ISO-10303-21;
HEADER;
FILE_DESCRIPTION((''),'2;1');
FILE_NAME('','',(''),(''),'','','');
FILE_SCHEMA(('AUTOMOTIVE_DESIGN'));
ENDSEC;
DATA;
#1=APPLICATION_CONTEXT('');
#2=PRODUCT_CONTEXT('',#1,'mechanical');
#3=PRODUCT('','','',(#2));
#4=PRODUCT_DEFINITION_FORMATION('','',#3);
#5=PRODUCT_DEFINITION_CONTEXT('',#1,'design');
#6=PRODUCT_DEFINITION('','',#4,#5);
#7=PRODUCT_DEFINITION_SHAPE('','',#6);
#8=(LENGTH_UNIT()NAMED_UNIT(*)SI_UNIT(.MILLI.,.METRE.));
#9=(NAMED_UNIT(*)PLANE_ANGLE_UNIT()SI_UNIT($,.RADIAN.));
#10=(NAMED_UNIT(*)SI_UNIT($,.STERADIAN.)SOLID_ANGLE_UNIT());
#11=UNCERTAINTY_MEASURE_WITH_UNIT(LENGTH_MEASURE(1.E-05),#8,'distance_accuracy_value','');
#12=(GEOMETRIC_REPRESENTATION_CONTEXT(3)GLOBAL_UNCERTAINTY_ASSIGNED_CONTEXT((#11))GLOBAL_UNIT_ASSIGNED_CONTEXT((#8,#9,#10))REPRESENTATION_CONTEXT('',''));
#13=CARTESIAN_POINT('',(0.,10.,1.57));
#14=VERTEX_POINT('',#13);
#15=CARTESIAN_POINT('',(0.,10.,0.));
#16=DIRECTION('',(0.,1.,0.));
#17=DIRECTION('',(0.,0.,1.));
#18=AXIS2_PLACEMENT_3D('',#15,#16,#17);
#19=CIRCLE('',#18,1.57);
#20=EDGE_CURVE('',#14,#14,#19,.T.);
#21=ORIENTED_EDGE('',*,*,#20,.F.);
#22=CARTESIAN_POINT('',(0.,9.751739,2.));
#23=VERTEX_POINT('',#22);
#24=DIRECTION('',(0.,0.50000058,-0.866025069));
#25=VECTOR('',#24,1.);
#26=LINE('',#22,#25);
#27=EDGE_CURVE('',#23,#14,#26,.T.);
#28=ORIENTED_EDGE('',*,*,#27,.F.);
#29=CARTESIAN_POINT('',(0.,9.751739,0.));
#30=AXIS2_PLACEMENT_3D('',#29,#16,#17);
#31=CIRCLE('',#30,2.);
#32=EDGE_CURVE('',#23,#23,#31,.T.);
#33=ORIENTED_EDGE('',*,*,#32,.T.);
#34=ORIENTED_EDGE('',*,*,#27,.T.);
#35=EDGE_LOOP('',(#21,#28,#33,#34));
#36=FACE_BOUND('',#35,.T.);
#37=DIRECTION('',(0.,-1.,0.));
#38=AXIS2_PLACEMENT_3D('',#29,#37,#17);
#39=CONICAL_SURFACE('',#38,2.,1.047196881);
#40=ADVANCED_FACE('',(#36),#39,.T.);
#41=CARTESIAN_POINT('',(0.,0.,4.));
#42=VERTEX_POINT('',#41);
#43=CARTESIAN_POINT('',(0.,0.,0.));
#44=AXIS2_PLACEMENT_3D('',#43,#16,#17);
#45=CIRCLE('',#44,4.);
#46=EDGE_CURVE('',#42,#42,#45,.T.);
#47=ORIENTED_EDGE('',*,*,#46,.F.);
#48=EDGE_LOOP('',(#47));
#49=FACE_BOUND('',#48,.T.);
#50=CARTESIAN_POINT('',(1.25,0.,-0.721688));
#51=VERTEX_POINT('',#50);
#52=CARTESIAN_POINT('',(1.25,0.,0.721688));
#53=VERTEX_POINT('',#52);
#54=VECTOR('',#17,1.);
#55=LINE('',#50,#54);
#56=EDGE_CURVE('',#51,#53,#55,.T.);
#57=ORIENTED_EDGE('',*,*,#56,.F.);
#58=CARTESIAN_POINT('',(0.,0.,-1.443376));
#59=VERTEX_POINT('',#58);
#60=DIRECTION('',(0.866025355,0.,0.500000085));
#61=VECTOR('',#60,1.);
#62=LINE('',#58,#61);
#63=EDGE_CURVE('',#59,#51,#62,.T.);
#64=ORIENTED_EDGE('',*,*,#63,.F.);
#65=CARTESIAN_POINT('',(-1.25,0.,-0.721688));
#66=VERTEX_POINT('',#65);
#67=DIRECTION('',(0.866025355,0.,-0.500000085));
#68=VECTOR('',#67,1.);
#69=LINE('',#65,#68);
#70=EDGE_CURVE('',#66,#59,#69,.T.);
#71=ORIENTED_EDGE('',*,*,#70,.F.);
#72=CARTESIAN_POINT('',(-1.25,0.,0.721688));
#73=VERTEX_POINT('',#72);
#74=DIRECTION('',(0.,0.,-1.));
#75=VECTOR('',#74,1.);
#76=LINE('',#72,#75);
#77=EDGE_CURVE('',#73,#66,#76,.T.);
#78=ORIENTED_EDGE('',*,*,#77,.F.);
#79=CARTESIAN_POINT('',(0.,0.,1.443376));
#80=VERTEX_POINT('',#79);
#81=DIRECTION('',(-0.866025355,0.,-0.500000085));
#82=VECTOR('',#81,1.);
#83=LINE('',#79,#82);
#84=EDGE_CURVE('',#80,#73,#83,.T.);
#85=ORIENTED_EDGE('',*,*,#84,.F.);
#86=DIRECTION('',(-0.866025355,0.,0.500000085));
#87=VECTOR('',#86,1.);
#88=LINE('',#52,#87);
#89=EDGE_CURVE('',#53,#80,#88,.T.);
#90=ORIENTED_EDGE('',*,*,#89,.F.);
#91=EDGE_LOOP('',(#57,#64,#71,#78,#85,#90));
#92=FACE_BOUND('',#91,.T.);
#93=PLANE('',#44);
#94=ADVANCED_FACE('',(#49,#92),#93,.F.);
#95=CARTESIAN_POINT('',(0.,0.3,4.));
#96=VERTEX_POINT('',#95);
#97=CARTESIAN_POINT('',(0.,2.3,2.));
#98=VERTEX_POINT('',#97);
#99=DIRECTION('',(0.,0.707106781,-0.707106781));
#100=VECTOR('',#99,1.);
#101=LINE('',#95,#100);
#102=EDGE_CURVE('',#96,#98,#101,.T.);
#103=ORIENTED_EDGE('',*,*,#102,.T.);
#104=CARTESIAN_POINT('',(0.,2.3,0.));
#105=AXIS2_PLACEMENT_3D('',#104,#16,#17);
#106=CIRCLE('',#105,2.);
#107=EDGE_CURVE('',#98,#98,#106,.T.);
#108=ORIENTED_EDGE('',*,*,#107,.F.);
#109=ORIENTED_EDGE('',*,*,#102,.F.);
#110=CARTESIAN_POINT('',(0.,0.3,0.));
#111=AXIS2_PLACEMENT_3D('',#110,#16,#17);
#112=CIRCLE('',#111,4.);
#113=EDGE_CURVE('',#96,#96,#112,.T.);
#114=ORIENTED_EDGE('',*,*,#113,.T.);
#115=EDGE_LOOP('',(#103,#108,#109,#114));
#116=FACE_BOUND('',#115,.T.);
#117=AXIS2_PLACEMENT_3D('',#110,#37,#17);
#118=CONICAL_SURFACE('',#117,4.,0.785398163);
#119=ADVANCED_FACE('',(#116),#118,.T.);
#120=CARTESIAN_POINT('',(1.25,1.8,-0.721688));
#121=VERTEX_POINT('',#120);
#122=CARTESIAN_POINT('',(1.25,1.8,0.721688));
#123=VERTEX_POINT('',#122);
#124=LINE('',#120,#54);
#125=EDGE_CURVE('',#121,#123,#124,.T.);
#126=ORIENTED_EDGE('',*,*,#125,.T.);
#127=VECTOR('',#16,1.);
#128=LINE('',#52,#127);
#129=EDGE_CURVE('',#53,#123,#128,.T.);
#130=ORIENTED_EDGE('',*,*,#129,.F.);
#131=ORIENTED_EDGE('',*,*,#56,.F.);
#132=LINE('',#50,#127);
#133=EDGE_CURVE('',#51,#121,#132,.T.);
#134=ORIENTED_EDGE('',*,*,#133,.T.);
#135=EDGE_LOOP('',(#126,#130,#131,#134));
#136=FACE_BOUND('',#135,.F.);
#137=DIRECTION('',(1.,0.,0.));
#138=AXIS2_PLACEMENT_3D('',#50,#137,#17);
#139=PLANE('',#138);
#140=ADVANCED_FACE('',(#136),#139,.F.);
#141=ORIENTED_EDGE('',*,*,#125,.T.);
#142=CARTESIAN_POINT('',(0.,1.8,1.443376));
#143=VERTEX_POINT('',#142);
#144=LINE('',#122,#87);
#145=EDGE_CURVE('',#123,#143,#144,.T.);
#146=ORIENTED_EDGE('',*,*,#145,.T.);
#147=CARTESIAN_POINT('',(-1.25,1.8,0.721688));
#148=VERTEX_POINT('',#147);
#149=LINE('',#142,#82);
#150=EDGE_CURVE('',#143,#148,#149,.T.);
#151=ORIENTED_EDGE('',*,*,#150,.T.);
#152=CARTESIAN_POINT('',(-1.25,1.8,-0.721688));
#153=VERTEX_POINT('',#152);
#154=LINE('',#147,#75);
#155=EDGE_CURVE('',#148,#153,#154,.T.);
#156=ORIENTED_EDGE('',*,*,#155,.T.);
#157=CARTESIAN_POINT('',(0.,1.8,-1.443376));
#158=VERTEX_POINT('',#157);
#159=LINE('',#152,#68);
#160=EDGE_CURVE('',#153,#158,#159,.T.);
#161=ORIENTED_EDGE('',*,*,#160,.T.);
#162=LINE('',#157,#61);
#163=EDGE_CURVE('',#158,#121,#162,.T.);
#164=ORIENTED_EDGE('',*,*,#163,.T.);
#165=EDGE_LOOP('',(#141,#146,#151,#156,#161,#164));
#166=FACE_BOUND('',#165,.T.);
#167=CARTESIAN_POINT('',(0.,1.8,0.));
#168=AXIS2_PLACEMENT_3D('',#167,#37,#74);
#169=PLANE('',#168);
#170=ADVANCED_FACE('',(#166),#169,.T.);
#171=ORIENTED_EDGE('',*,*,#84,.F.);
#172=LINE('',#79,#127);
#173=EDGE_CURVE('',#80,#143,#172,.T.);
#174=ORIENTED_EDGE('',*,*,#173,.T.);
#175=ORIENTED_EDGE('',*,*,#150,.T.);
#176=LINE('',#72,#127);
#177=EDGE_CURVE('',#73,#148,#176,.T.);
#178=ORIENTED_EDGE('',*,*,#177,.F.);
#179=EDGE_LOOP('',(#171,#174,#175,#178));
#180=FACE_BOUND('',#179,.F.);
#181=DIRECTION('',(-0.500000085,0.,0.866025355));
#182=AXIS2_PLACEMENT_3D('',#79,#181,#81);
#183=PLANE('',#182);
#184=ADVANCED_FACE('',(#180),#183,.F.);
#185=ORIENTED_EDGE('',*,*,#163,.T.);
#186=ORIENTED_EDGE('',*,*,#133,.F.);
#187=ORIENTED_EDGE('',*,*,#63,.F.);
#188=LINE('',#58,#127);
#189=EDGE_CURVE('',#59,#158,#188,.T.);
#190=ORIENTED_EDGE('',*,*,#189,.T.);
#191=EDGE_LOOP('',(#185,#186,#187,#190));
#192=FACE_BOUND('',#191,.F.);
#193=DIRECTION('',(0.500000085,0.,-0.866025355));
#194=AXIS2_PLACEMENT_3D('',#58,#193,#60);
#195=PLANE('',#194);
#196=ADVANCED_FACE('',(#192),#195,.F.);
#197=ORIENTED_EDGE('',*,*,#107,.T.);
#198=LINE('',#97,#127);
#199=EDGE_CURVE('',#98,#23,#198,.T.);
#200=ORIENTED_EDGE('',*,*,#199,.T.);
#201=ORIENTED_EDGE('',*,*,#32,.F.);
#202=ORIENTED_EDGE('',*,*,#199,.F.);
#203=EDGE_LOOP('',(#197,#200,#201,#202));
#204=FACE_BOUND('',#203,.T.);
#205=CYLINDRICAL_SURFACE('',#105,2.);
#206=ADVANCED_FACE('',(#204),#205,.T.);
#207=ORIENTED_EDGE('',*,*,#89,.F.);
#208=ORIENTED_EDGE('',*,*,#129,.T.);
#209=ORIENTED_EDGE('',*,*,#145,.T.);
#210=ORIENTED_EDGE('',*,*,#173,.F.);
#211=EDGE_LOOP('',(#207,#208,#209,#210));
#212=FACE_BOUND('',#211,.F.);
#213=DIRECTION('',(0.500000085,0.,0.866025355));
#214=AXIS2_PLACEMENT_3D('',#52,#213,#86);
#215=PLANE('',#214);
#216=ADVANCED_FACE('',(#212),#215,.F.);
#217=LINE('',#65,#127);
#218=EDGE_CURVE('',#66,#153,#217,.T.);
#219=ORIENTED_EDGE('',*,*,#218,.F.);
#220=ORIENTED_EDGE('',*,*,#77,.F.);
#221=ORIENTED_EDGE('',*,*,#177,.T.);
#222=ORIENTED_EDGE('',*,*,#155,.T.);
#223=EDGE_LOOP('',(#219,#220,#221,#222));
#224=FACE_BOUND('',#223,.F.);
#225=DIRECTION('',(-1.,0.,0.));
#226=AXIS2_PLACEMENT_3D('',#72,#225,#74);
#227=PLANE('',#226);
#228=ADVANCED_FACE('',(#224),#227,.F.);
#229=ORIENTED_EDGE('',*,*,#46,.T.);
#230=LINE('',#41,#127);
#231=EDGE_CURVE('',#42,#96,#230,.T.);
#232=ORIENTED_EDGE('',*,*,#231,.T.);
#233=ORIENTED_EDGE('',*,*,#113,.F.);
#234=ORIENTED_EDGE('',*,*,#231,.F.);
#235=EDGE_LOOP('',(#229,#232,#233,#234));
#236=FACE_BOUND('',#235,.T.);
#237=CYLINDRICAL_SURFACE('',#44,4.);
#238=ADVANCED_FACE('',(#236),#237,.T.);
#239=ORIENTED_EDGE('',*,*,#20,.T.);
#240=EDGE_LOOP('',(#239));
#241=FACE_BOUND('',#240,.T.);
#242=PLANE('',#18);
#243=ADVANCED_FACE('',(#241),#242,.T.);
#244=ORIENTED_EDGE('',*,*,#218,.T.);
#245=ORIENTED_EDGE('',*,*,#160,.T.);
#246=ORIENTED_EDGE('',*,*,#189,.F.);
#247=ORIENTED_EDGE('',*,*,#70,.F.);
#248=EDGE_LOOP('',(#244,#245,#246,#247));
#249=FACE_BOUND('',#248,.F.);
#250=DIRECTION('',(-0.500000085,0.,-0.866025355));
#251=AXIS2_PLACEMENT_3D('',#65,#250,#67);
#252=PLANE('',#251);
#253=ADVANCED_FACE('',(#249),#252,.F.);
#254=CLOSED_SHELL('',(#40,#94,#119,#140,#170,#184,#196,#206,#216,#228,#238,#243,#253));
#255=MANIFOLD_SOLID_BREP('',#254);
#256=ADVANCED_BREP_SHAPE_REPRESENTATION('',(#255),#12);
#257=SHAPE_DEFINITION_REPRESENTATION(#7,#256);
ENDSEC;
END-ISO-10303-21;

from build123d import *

# Parameters (mm, degrees)
POCKET_DEPTH = 1.8


with BuildPart() as part:
    # Sketch → Revolution (revolve)
    with BuildSketch(Plane.YZ):
        Polygon((0, 0), (0, 4), (0.3, 4), (2.3, 2), (9.751739, 2), (10, 1.57), (10, 0), align=None)
    revolve(axis=Axis((0, 0, 0), (0, 1, 0)))

    # Sketch001 → Pocket (cut)
    with BuildSketch(Plane(origin=(0, 0, 0), x_dir=(0, 0, -1), z_dir=(0, -1, 0))):
        Polygon((0.721688, 1.25), (-0.721688, 1.25), (-1.443376, 0), (-0.721688, -1.25), (0.721688, -1.25), (1.443376, 0), align=None)
    extrude(amount=-POCKET_DEPTH, mode=Mode.SUBTRACT)


solid = part.part
